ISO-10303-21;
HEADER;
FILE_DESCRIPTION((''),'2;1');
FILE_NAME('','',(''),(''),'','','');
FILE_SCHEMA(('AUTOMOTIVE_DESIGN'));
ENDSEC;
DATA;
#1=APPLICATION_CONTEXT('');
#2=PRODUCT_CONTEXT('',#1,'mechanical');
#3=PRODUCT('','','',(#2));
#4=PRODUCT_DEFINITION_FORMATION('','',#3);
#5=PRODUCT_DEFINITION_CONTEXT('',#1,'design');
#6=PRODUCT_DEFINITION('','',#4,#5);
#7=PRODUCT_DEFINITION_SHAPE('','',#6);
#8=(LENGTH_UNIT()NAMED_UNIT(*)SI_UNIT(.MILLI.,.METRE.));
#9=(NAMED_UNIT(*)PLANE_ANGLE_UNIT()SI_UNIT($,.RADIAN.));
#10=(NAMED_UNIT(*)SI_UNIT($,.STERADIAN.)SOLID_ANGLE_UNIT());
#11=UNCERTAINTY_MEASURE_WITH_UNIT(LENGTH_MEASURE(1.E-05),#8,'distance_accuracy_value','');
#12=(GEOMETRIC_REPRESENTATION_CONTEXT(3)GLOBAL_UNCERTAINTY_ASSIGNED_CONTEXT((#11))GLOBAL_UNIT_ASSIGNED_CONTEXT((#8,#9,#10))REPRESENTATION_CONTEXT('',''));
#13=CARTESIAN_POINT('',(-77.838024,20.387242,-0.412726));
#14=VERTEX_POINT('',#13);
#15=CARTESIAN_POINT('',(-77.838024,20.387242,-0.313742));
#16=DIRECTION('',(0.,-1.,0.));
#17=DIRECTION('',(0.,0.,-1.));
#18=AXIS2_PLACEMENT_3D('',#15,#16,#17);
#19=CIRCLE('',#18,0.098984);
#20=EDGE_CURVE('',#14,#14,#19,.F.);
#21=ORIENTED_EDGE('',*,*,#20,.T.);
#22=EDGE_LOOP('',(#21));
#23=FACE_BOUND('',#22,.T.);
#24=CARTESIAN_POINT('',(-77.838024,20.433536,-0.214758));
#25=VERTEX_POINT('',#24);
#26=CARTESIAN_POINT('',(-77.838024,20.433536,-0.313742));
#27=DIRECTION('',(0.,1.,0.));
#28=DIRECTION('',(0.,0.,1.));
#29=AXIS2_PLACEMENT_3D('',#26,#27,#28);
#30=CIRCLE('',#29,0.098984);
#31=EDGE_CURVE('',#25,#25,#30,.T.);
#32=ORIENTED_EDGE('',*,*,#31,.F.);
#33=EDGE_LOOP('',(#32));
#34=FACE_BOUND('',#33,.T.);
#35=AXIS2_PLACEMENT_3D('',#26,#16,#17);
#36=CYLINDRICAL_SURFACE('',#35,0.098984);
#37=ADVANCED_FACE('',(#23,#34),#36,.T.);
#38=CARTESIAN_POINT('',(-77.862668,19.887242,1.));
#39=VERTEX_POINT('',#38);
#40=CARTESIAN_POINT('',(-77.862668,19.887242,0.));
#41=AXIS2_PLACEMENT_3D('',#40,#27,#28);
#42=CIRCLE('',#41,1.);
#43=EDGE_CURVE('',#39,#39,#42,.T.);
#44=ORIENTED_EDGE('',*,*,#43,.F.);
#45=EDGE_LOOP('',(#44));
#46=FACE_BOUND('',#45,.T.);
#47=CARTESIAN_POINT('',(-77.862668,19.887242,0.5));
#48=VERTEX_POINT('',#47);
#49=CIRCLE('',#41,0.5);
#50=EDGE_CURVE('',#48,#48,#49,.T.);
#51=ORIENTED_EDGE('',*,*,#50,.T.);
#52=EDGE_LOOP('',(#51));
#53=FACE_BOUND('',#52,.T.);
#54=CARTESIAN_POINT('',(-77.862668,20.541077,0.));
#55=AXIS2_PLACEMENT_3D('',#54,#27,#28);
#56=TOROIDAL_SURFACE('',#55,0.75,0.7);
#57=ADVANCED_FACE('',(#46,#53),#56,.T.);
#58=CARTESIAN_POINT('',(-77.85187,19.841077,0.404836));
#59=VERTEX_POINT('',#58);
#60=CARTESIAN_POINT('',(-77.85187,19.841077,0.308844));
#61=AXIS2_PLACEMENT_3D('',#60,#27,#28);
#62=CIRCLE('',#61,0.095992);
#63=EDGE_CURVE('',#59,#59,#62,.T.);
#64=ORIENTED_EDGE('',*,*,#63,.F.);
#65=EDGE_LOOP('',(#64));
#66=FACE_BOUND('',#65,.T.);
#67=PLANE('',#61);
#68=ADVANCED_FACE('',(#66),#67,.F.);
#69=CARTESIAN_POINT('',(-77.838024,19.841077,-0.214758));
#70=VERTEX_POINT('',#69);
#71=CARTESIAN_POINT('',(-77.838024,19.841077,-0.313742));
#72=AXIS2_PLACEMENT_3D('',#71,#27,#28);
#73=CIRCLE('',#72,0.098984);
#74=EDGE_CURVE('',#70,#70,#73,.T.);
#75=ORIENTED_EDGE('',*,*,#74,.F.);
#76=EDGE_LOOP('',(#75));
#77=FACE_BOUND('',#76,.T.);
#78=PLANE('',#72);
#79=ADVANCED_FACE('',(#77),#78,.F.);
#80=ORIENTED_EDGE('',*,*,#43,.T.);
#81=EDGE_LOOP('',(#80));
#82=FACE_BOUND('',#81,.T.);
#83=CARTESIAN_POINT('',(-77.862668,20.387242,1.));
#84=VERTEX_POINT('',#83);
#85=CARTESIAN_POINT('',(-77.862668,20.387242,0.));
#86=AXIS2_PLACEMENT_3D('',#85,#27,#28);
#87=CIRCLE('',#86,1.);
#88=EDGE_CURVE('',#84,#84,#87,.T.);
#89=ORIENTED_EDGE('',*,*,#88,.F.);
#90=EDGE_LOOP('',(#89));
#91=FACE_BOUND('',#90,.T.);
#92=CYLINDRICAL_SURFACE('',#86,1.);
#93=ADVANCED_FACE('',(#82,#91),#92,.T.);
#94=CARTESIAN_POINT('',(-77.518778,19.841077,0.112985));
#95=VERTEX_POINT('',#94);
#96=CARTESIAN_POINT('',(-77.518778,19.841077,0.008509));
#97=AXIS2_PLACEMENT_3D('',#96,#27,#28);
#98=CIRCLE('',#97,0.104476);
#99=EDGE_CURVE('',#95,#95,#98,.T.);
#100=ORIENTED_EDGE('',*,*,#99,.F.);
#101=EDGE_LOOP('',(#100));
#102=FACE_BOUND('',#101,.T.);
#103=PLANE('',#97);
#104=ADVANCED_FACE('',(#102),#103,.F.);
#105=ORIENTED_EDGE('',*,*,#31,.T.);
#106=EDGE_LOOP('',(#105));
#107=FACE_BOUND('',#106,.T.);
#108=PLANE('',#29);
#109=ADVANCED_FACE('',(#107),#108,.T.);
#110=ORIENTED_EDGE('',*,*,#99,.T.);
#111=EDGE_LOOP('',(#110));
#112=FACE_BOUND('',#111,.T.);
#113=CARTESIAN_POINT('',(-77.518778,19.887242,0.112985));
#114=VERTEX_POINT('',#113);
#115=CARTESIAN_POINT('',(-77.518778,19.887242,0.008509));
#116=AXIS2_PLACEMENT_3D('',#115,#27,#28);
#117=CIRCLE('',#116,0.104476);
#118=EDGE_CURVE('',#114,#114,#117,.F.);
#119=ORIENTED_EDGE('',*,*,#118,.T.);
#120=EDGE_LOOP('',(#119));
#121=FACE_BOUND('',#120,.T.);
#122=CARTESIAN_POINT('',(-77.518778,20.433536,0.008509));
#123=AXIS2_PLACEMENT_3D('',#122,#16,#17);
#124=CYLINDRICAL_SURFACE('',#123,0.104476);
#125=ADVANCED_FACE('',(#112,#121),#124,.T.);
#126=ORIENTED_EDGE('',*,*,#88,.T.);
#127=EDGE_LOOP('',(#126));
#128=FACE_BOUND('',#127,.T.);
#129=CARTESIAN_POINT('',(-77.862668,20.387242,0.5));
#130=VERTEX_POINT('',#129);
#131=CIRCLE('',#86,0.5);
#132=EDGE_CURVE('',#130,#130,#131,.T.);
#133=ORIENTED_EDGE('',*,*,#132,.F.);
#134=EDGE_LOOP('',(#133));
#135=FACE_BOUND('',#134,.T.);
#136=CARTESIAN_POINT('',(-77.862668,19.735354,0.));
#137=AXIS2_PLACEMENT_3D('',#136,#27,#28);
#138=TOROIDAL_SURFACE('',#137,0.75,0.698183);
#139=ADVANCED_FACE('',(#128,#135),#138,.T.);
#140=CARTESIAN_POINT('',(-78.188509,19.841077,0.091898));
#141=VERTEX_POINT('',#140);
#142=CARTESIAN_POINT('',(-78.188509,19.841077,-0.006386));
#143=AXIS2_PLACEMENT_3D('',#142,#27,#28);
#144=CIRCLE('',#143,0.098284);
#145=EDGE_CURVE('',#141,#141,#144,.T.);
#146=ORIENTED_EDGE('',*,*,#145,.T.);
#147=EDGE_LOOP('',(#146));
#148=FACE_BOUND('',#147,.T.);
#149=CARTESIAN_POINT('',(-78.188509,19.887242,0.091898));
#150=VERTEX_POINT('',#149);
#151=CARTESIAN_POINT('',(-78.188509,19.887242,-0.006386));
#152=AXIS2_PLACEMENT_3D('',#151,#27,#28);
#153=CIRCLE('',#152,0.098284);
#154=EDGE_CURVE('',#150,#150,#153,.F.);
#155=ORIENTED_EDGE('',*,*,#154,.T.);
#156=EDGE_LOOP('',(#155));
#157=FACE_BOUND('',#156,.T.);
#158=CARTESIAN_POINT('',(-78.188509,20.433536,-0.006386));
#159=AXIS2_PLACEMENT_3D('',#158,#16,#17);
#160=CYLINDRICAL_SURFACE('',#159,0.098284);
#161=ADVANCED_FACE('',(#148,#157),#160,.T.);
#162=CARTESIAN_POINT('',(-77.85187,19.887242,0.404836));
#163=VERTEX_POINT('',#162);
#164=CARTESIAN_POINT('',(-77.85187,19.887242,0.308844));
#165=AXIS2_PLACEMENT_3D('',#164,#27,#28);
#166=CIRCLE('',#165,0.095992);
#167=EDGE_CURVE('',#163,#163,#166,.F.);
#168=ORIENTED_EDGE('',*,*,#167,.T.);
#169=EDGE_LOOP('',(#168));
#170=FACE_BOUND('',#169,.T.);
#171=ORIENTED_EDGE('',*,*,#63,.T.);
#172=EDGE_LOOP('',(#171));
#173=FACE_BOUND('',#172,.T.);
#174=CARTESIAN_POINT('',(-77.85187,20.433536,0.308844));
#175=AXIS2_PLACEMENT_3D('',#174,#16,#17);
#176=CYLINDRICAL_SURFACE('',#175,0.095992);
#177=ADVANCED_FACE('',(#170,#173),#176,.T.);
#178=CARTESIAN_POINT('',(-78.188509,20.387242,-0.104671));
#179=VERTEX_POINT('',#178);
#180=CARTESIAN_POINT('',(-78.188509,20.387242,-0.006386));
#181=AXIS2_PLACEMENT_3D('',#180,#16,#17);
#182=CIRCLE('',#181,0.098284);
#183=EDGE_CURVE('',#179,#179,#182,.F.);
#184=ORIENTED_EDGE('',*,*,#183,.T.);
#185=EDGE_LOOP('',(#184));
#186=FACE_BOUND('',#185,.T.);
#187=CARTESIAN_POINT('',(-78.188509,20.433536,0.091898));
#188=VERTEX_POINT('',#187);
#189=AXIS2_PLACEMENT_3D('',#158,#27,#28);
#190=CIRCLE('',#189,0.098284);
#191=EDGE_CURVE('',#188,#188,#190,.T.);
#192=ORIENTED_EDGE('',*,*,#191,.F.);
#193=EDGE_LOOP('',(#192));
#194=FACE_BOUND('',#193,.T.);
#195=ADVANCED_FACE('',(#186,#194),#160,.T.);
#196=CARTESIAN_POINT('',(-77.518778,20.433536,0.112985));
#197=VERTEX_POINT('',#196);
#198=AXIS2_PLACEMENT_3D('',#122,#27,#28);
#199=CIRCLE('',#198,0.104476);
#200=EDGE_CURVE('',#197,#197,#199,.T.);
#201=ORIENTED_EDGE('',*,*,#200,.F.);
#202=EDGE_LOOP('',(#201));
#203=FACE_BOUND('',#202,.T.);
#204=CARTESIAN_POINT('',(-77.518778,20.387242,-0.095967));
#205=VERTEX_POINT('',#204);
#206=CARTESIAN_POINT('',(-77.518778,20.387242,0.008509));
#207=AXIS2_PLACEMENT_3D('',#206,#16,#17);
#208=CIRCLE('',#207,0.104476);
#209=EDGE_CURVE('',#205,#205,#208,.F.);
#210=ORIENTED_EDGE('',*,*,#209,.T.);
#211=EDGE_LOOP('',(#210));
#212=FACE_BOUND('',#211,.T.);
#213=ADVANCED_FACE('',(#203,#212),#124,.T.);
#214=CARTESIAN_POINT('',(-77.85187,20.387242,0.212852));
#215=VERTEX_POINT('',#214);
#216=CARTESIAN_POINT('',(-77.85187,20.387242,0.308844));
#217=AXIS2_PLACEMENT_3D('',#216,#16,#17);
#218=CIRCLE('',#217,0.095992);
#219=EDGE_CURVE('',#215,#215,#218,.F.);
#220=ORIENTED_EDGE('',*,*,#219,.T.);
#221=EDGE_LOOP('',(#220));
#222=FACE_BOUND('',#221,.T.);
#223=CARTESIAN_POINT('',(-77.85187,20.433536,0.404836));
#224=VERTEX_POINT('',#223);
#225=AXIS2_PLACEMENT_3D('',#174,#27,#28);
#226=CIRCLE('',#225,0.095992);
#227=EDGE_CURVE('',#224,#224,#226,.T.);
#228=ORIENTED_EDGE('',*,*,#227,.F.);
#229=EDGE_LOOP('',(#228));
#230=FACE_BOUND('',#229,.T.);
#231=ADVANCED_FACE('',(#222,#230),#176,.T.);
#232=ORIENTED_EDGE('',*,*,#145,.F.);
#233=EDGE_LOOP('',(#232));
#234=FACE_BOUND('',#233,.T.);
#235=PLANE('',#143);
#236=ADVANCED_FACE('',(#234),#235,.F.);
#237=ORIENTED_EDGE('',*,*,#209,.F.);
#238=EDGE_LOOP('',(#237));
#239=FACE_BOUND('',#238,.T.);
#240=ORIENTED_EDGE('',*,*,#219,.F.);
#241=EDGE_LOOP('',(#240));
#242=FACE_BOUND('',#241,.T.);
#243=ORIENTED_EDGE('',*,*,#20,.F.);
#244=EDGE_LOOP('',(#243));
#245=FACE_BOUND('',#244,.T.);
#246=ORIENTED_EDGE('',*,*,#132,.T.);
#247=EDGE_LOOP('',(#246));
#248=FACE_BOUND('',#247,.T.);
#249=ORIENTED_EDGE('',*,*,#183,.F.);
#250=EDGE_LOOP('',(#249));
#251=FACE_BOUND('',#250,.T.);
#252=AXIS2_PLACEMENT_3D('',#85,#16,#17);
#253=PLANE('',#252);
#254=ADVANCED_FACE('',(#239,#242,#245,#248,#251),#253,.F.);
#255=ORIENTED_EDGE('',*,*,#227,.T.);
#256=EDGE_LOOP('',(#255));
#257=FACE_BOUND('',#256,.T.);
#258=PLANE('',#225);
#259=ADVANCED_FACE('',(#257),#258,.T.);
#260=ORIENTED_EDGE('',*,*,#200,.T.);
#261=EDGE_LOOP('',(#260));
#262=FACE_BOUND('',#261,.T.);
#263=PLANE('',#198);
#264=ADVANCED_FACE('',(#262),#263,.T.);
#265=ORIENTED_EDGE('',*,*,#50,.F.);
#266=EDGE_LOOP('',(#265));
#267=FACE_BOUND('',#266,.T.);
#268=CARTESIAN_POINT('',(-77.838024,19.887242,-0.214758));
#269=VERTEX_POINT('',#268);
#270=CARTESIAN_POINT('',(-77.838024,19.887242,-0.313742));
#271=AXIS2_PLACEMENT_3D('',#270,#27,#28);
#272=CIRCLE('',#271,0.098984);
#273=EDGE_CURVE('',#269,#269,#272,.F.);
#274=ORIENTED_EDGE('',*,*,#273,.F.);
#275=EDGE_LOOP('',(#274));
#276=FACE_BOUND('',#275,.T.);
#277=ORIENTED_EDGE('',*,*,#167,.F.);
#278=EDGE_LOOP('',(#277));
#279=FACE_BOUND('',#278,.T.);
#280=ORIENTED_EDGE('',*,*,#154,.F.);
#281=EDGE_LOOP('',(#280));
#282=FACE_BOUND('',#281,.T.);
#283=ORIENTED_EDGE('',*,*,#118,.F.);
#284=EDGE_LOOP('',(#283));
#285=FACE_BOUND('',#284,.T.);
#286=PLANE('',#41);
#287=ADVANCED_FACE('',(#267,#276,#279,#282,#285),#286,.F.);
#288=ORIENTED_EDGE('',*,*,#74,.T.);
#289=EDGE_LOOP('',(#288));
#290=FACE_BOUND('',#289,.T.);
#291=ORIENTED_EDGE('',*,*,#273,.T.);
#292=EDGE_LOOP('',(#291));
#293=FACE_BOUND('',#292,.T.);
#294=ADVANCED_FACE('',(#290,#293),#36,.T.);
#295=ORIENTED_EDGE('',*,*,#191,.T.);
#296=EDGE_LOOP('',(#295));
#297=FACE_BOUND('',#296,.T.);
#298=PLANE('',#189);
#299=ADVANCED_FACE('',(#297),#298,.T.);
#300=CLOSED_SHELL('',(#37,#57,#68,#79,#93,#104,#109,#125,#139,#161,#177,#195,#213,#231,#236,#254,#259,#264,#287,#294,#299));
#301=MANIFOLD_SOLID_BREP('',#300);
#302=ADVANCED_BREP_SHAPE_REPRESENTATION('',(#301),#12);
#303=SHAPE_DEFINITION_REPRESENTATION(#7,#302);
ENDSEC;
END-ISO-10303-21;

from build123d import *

# Parameters (mm, degrees)
SKETCH5_R                = 0.098984302
SKETCH5_R_2              = 0.104475871
SKETCH5_R_3              = 0.095992018
SKETCH5_R_4              = 0.098284334
BOSS_EXTRUDE2_DEPTH      = 0.046294
BOSS_EXTRUDE2_DEPTH_BACK = 0.546165


with BuildPart() as part:
    # Sketch4 → Revolve1 (revolve)
    with BuildSketch(Plane.XY):
        with BuildLine():
            Line((-77.862668244, 20.387242407), (-77.362668244, 20.387242407))
            ThreePointArc((-77.362668244, 20.387242407), (-77.112668244, 20.433536252), (-76.862668244, 20.387242407))
            Line((-76.862668244, 20.387242407), (-76.862668244, 19.887242407))
            ThreePointArc((-76.862668244, 19.887242407), (-77.112668244, 19.841077248), (-77.362668244, 19.887242407))
            Line((-77.362668244, 19.887242407), (-77.862668244, 19.887242407))
            Line((-77.862668244, 19.887242407), (-77.862668244, 20.387242407))
        make_face()
    revolve(axis=Axis((-77.862668244, 20.387242407, 0), (0, -1, 0)))

    # Sketch5 → Boss-Extrude2 (add, two sides)
    with BuildSketch(Plane(origin=(0, 20.387242407, 0), x_dir=(1, 0, 0), z_dir=(0, 1, 0))) as boss_extrude2_sk:
        with Locations((-77.838023518, 0.313742014)):
            Circle(SKETCH5_R)
        with Locations((-77.518777636, -0.008508906)):
            Circle(SKETCH5_R_2)
        with Locations((-77.85187015, -0.308843625)):
            Circle(SKETCH5_R_3)
        with Locations((-78.188509353, 0.006386281)):
            Circle(SKETCH5_R_4)
    extrude(amount=BOSS_EXTRUDE2_DEPTH)
    extrude(boss_extrude2_sk.sketch, amount=-BOSS_EXTRUDE2_DEPTH_BACK)


solid = part.part
